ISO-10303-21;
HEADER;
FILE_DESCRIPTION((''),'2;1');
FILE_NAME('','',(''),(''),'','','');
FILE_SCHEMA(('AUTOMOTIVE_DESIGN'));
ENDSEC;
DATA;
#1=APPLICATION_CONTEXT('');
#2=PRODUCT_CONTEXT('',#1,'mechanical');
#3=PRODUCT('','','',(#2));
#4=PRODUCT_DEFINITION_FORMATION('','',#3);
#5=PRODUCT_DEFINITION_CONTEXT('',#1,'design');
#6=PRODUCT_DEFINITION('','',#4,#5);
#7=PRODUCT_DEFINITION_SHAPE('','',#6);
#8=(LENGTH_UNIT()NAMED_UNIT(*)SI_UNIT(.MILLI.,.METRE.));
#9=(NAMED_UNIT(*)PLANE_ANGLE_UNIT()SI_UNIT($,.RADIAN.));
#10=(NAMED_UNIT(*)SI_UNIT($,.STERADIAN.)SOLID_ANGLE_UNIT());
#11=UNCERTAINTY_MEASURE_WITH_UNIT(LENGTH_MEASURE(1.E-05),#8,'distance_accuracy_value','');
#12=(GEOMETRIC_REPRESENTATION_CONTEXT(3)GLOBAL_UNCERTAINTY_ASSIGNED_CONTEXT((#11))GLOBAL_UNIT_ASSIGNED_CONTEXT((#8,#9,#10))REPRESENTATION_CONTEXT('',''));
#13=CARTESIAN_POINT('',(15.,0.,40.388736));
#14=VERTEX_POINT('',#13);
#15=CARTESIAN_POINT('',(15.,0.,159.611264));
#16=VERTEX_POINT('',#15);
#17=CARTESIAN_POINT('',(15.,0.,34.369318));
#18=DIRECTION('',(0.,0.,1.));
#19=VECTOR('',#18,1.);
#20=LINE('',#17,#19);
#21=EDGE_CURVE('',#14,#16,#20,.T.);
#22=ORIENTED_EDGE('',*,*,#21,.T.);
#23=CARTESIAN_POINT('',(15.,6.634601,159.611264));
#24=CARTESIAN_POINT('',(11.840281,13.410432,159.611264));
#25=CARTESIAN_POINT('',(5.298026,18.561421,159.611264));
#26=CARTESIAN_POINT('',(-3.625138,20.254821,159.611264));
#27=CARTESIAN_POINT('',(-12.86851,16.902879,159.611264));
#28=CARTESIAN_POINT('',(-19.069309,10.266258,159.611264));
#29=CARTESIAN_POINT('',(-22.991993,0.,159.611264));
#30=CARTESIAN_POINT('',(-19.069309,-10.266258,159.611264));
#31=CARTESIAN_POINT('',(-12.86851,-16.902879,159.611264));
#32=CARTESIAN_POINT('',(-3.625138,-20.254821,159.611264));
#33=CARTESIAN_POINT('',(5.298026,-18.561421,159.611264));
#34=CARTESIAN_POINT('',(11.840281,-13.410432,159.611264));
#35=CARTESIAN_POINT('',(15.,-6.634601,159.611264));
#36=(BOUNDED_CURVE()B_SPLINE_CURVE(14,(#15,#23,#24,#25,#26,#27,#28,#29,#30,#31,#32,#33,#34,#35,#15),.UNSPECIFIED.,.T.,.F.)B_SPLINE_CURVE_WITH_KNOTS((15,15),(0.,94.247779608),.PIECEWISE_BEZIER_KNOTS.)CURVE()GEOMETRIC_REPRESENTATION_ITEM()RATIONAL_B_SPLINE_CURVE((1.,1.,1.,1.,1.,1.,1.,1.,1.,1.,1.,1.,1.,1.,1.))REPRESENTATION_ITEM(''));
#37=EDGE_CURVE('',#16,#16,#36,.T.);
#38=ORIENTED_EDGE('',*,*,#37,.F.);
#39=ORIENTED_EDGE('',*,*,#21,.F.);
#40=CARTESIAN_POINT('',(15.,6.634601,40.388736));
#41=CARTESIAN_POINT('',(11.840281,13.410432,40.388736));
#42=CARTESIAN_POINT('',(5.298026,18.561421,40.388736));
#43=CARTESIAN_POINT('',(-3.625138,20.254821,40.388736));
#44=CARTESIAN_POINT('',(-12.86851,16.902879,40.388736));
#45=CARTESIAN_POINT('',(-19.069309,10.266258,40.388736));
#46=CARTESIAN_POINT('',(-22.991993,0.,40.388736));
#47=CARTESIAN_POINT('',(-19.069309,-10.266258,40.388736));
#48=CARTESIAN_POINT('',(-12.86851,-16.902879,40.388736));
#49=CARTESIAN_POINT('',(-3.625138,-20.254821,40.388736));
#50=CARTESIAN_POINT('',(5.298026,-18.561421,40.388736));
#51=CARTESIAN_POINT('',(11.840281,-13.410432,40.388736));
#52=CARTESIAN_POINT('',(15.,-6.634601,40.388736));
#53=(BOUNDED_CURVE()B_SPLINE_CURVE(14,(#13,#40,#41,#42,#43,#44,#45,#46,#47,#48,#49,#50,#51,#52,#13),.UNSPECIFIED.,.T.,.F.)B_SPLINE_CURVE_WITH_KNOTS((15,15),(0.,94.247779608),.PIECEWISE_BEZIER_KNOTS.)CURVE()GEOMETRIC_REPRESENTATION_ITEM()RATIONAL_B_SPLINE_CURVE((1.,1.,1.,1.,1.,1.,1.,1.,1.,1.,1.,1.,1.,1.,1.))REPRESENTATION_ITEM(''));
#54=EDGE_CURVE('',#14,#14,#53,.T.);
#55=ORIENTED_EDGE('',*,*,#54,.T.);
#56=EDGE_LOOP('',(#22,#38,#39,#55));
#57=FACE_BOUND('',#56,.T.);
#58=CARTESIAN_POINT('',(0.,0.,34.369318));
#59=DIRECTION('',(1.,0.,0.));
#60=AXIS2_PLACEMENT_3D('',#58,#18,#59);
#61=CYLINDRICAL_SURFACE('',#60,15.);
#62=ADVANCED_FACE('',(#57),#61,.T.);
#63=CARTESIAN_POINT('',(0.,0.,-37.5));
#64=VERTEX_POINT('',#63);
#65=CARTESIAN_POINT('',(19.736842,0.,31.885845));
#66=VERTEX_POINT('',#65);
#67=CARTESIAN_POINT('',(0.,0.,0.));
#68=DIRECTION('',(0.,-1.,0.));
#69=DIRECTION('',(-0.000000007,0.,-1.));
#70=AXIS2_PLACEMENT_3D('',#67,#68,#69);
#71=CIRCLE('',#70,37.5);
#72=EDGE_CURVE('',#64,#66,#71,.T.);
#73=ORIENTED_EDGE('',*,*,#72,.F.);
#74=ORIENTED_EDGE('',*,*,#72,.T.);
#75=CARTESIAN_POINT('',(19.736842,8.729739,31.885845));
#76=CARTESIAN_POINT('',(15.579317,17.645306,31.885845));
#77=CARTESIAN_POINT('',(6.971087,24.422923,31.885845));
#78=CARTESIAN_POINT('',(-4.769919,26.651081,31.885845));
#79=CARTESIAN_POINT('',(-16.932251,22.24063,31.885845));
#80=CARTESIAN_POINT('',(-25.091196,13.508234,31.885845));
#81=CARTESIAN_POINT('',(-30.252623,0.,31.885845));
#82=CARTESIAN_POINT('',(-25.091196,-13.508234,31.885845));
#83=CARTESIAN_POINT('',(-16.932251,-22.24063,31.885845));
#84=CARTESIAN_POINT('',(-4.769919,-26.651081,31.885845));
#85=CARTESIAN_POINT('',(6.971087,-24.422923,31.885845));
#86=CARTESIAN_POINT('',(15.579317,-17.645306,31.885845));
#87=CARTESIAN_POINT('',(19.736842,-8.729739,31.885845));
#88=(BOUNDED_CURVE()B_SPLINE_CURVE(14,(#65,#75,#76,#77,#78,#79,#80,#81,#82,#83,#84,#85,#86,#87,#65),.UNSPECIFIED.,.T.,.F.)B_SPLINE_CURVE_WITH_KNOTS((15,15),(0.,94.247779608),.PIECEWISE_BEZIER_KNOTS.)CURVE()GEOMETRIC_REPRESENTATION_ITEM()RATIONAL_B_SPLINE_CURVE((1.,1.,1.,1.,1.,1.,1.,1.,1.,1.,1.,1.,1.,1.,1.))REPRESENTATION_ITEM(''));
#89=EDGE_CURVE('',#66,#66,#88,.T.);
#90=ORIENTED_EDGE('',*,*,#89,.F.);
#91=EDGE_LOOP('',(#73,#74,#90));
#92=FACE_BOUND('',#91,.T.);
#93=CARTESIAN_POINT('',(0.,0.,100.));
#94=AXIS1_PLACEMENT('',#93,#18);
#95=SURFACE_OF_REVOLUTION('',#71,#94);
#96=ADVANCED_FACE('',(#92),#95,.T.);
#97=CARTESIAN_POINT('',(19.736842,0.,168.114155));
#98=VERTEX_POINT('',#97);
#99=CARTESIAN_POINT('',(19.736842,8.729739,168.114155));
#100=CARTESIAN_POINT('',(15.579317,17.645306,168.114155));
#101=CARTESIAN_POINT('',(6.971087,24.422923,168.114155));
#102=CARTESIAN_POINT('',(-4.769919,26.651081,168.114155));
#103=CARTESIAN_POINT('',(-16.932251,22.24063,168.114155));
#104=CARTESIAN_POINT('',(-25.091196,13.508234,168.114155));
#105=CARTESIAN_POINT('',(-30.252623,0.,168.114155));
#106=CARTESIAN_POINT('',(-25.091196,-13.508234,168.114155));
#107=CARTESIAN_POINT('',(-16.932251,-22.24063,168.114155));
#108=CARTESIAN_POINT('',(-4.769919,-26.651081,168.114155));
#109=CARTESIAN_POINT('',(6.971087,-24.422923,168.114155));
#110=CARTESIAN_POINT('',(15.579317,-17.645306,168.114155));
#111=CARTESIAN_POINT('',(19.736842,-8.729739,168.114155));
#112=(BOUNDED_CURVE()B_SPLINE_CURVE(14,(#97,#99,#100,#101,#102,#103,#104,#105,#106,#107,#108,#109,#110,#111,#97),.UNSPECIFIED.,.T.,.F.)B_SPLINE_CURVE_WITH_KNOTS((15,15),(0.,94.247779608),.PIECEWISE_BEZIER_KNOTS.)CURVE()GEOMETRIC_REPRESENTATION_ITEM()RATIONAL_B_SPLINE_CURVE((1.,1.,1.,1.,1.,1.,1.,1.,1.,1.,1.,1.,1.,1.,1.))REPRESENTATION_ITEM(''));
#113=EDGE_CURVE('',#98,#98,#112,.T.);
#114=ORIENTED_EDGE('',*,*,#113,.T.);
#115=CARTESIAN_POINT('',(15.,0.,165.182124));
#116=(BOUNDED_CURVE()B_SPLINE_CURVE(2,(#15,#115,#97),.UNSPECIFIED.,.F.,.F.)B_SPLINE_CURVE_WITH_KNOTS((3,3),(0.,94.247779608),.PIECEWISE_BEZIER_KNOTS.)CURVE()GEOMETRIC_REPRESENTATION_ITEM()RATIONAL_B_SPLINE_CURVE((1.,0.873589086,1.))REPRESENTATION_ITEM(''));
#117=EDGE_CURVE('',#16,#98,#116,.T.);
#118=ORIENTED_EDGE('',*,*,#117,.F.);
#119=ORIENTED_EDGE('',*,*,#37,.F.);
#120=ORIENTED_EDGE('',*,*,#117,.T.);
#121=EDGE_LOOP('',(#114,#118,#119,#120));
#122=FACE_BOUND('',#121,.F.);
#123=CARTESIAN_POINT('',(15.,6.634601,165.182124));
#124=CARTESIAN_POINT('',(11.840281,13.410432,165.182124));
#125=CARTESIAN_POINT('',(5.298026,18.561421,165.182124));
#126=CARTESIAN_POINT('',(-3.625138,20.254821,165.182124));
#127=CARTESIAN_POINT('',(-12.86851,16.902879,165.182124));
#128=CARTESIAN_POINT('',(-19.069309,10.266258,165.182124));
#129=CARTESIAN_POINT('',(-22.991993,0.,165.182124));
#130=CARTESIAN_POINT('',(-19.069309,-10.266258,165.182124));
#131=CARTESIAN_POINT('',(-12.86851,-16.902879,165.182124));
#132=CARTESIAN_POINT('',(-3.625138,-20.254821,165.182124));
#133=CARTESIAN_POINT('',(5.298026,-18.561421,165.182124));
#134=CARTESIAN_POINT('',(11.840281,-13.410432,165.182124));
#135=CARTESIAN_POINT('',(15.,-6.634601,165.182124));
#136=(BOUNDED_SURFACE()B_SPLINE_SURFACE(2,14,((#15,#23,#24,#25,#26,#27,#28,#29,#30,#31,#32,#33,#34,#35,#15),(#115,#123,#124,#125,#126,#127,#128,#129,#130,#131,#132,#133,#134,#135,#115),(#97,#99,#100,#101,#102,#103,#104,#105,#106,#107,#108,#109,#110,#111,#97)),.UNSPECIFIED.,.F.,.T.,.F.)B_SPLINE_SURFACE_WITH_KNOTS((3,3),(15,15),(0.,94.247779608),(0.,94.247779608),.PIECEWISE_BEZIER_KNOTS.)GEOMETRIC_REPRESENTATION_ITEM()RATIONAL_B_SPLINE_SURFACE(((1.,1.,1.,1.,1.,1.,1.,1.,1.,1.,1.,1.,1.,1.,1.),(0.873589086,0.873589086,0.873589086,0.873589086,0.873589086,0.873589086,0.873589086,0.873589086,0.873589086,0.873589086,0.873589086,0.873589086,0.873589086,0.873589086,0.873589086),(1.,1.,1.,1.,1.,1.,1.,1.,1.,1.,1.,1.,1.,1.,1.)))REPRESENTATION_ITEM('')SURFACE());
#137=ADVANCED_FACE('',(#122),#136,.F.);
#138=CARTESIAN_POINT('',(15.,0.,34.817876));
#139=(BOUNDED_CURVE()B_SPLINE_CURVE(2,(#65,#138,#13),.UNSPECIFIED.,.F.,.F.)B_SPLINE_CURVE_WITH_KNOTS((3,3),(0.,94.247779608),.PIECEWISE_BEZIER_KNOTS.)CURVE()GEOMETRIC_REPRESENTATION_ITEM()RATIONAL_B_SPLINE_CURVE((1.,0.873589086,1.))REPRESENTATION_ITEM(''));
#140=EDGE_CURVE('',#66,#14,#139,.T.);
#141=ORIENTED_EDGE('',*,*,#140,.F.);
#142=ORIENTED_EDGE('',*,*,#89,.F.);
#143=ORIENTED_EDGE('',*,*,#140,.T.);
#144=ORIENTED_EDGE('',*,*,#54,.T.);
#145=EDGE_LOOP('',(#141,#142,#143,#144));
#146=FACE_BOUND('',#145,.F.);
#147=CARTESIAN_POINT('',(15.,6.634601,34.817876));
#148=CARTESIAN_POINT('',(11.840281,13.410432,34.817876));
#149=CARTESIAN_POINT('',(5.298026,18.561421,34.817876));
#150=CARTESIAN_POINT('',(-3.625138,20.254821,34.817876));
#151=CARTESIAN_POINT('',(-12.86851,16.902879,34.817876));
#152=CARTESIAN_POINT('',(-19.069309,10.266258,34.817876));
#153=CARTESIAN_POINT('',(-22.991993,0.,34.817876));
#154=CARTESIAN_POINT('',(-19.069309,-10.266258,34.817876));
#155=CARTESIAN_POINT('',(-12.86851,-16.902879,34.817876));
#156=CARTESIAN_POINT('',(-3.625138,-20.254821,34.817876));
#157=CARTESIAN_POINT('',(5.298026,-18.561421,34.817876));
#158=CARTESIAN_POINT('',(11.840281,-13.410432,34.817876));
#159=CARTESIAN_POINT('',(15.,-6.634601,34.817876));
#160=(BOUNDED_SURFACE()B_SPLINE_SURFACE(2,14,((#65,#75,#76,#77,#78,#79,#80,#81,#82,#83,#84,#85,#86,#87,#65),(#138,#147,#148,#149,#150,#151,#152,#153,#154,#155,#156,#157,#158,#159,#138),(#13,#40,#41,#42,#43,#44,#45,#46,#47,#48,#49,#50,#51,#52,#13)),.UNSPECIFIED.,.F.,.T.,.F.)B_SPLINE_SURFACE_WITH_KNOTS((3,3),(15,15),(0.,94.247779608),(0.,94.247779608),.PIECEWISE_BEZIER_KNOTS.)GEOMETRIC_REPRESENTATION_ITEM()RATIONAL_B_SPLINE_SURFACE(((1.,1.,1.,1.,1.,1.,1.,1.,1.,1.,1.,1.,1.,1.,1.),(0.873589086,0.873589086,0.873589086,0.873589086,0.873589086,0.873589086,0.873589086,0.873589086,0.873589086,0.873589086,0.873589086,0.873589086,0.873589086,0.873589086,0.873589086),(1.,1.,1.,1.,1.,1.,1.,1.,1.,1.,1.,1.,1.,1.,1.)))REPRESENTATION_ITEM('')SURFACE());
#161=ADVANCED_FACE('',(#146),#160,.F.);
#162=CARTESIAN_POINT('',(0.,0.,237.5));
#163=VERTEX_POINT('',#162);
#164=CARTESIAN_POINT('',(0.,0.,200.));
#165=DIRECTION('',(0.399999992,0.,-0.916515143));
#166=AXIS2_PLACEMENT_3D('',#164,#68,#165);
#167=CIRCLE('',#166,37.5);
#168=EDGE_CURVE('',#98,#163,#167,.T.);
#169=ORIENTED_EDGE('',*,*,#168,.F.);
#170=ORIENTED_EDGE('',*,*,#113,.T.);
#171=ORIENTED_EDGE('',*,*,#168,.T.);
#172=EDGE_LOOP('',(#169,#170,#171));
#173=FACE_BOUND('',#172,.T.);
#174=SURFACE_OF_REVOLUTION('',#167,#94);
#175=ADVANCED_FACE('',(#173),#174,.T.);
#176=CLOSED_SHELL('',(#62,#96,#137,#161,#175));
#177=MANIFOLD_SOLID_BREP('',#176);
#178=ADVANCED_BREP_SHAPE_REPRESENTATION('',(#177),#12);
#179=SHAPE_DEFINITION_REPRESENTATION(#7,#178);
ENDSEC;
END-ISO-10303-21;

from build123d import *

# Parameters (mm, degrees)
F2_R = 10


with BuildPart() as f1:
    # F0 (on Front) → F1 (revolve)
    with BuildSketch(Plane.XZ):
        with BuildLine():
            Line((0, 37.5), (0, 0))
            Line((0, 0), (0, -37.5))
            ThreePointArc((0, -37.5), (36.708987, -7.661612), (15, 34.369318))
            ThreePointArc((15, 34.369318), (7.661612, 36.708987), (0, 37.5))
        make_face()
        with BuildLine():
            Line((0, 162.5), (0, 37.5))
            ThreePointArc((0, 37.5), (7.661612, 36.708987), (15, 34.369318))
            Line((15, 34.369318), (15, 165.630682))
            ThreePointArc((15, 165.630682), (7.661612, 163.291013), (0, 162.5))
        make_face()
        with BuildLine():
            Line((0, 200), (0, 162.5))
            ThreePointArc((0, 162.5), (7.661612, 163.291013), (15, 165.630682))
            ThreePointArc((15, 165.630682), (36.708987, 207.661612), (0, 237.5))
            Line((0, 237.5), (0, 200))
        make_face()
    revolve(axis=Axis((0, 0, 100), (0, 0, 1)))

    # F2
    f2_edges = [f1.edges().sort_by_distance(p)[0] for p in [
        (-15, 0, 34.369318),
        (-15, 0, 165.630682),
        (15, 0, 100),
    ]]
    fillet(f2_edges, radius=F2_R)


solid = f1.part
